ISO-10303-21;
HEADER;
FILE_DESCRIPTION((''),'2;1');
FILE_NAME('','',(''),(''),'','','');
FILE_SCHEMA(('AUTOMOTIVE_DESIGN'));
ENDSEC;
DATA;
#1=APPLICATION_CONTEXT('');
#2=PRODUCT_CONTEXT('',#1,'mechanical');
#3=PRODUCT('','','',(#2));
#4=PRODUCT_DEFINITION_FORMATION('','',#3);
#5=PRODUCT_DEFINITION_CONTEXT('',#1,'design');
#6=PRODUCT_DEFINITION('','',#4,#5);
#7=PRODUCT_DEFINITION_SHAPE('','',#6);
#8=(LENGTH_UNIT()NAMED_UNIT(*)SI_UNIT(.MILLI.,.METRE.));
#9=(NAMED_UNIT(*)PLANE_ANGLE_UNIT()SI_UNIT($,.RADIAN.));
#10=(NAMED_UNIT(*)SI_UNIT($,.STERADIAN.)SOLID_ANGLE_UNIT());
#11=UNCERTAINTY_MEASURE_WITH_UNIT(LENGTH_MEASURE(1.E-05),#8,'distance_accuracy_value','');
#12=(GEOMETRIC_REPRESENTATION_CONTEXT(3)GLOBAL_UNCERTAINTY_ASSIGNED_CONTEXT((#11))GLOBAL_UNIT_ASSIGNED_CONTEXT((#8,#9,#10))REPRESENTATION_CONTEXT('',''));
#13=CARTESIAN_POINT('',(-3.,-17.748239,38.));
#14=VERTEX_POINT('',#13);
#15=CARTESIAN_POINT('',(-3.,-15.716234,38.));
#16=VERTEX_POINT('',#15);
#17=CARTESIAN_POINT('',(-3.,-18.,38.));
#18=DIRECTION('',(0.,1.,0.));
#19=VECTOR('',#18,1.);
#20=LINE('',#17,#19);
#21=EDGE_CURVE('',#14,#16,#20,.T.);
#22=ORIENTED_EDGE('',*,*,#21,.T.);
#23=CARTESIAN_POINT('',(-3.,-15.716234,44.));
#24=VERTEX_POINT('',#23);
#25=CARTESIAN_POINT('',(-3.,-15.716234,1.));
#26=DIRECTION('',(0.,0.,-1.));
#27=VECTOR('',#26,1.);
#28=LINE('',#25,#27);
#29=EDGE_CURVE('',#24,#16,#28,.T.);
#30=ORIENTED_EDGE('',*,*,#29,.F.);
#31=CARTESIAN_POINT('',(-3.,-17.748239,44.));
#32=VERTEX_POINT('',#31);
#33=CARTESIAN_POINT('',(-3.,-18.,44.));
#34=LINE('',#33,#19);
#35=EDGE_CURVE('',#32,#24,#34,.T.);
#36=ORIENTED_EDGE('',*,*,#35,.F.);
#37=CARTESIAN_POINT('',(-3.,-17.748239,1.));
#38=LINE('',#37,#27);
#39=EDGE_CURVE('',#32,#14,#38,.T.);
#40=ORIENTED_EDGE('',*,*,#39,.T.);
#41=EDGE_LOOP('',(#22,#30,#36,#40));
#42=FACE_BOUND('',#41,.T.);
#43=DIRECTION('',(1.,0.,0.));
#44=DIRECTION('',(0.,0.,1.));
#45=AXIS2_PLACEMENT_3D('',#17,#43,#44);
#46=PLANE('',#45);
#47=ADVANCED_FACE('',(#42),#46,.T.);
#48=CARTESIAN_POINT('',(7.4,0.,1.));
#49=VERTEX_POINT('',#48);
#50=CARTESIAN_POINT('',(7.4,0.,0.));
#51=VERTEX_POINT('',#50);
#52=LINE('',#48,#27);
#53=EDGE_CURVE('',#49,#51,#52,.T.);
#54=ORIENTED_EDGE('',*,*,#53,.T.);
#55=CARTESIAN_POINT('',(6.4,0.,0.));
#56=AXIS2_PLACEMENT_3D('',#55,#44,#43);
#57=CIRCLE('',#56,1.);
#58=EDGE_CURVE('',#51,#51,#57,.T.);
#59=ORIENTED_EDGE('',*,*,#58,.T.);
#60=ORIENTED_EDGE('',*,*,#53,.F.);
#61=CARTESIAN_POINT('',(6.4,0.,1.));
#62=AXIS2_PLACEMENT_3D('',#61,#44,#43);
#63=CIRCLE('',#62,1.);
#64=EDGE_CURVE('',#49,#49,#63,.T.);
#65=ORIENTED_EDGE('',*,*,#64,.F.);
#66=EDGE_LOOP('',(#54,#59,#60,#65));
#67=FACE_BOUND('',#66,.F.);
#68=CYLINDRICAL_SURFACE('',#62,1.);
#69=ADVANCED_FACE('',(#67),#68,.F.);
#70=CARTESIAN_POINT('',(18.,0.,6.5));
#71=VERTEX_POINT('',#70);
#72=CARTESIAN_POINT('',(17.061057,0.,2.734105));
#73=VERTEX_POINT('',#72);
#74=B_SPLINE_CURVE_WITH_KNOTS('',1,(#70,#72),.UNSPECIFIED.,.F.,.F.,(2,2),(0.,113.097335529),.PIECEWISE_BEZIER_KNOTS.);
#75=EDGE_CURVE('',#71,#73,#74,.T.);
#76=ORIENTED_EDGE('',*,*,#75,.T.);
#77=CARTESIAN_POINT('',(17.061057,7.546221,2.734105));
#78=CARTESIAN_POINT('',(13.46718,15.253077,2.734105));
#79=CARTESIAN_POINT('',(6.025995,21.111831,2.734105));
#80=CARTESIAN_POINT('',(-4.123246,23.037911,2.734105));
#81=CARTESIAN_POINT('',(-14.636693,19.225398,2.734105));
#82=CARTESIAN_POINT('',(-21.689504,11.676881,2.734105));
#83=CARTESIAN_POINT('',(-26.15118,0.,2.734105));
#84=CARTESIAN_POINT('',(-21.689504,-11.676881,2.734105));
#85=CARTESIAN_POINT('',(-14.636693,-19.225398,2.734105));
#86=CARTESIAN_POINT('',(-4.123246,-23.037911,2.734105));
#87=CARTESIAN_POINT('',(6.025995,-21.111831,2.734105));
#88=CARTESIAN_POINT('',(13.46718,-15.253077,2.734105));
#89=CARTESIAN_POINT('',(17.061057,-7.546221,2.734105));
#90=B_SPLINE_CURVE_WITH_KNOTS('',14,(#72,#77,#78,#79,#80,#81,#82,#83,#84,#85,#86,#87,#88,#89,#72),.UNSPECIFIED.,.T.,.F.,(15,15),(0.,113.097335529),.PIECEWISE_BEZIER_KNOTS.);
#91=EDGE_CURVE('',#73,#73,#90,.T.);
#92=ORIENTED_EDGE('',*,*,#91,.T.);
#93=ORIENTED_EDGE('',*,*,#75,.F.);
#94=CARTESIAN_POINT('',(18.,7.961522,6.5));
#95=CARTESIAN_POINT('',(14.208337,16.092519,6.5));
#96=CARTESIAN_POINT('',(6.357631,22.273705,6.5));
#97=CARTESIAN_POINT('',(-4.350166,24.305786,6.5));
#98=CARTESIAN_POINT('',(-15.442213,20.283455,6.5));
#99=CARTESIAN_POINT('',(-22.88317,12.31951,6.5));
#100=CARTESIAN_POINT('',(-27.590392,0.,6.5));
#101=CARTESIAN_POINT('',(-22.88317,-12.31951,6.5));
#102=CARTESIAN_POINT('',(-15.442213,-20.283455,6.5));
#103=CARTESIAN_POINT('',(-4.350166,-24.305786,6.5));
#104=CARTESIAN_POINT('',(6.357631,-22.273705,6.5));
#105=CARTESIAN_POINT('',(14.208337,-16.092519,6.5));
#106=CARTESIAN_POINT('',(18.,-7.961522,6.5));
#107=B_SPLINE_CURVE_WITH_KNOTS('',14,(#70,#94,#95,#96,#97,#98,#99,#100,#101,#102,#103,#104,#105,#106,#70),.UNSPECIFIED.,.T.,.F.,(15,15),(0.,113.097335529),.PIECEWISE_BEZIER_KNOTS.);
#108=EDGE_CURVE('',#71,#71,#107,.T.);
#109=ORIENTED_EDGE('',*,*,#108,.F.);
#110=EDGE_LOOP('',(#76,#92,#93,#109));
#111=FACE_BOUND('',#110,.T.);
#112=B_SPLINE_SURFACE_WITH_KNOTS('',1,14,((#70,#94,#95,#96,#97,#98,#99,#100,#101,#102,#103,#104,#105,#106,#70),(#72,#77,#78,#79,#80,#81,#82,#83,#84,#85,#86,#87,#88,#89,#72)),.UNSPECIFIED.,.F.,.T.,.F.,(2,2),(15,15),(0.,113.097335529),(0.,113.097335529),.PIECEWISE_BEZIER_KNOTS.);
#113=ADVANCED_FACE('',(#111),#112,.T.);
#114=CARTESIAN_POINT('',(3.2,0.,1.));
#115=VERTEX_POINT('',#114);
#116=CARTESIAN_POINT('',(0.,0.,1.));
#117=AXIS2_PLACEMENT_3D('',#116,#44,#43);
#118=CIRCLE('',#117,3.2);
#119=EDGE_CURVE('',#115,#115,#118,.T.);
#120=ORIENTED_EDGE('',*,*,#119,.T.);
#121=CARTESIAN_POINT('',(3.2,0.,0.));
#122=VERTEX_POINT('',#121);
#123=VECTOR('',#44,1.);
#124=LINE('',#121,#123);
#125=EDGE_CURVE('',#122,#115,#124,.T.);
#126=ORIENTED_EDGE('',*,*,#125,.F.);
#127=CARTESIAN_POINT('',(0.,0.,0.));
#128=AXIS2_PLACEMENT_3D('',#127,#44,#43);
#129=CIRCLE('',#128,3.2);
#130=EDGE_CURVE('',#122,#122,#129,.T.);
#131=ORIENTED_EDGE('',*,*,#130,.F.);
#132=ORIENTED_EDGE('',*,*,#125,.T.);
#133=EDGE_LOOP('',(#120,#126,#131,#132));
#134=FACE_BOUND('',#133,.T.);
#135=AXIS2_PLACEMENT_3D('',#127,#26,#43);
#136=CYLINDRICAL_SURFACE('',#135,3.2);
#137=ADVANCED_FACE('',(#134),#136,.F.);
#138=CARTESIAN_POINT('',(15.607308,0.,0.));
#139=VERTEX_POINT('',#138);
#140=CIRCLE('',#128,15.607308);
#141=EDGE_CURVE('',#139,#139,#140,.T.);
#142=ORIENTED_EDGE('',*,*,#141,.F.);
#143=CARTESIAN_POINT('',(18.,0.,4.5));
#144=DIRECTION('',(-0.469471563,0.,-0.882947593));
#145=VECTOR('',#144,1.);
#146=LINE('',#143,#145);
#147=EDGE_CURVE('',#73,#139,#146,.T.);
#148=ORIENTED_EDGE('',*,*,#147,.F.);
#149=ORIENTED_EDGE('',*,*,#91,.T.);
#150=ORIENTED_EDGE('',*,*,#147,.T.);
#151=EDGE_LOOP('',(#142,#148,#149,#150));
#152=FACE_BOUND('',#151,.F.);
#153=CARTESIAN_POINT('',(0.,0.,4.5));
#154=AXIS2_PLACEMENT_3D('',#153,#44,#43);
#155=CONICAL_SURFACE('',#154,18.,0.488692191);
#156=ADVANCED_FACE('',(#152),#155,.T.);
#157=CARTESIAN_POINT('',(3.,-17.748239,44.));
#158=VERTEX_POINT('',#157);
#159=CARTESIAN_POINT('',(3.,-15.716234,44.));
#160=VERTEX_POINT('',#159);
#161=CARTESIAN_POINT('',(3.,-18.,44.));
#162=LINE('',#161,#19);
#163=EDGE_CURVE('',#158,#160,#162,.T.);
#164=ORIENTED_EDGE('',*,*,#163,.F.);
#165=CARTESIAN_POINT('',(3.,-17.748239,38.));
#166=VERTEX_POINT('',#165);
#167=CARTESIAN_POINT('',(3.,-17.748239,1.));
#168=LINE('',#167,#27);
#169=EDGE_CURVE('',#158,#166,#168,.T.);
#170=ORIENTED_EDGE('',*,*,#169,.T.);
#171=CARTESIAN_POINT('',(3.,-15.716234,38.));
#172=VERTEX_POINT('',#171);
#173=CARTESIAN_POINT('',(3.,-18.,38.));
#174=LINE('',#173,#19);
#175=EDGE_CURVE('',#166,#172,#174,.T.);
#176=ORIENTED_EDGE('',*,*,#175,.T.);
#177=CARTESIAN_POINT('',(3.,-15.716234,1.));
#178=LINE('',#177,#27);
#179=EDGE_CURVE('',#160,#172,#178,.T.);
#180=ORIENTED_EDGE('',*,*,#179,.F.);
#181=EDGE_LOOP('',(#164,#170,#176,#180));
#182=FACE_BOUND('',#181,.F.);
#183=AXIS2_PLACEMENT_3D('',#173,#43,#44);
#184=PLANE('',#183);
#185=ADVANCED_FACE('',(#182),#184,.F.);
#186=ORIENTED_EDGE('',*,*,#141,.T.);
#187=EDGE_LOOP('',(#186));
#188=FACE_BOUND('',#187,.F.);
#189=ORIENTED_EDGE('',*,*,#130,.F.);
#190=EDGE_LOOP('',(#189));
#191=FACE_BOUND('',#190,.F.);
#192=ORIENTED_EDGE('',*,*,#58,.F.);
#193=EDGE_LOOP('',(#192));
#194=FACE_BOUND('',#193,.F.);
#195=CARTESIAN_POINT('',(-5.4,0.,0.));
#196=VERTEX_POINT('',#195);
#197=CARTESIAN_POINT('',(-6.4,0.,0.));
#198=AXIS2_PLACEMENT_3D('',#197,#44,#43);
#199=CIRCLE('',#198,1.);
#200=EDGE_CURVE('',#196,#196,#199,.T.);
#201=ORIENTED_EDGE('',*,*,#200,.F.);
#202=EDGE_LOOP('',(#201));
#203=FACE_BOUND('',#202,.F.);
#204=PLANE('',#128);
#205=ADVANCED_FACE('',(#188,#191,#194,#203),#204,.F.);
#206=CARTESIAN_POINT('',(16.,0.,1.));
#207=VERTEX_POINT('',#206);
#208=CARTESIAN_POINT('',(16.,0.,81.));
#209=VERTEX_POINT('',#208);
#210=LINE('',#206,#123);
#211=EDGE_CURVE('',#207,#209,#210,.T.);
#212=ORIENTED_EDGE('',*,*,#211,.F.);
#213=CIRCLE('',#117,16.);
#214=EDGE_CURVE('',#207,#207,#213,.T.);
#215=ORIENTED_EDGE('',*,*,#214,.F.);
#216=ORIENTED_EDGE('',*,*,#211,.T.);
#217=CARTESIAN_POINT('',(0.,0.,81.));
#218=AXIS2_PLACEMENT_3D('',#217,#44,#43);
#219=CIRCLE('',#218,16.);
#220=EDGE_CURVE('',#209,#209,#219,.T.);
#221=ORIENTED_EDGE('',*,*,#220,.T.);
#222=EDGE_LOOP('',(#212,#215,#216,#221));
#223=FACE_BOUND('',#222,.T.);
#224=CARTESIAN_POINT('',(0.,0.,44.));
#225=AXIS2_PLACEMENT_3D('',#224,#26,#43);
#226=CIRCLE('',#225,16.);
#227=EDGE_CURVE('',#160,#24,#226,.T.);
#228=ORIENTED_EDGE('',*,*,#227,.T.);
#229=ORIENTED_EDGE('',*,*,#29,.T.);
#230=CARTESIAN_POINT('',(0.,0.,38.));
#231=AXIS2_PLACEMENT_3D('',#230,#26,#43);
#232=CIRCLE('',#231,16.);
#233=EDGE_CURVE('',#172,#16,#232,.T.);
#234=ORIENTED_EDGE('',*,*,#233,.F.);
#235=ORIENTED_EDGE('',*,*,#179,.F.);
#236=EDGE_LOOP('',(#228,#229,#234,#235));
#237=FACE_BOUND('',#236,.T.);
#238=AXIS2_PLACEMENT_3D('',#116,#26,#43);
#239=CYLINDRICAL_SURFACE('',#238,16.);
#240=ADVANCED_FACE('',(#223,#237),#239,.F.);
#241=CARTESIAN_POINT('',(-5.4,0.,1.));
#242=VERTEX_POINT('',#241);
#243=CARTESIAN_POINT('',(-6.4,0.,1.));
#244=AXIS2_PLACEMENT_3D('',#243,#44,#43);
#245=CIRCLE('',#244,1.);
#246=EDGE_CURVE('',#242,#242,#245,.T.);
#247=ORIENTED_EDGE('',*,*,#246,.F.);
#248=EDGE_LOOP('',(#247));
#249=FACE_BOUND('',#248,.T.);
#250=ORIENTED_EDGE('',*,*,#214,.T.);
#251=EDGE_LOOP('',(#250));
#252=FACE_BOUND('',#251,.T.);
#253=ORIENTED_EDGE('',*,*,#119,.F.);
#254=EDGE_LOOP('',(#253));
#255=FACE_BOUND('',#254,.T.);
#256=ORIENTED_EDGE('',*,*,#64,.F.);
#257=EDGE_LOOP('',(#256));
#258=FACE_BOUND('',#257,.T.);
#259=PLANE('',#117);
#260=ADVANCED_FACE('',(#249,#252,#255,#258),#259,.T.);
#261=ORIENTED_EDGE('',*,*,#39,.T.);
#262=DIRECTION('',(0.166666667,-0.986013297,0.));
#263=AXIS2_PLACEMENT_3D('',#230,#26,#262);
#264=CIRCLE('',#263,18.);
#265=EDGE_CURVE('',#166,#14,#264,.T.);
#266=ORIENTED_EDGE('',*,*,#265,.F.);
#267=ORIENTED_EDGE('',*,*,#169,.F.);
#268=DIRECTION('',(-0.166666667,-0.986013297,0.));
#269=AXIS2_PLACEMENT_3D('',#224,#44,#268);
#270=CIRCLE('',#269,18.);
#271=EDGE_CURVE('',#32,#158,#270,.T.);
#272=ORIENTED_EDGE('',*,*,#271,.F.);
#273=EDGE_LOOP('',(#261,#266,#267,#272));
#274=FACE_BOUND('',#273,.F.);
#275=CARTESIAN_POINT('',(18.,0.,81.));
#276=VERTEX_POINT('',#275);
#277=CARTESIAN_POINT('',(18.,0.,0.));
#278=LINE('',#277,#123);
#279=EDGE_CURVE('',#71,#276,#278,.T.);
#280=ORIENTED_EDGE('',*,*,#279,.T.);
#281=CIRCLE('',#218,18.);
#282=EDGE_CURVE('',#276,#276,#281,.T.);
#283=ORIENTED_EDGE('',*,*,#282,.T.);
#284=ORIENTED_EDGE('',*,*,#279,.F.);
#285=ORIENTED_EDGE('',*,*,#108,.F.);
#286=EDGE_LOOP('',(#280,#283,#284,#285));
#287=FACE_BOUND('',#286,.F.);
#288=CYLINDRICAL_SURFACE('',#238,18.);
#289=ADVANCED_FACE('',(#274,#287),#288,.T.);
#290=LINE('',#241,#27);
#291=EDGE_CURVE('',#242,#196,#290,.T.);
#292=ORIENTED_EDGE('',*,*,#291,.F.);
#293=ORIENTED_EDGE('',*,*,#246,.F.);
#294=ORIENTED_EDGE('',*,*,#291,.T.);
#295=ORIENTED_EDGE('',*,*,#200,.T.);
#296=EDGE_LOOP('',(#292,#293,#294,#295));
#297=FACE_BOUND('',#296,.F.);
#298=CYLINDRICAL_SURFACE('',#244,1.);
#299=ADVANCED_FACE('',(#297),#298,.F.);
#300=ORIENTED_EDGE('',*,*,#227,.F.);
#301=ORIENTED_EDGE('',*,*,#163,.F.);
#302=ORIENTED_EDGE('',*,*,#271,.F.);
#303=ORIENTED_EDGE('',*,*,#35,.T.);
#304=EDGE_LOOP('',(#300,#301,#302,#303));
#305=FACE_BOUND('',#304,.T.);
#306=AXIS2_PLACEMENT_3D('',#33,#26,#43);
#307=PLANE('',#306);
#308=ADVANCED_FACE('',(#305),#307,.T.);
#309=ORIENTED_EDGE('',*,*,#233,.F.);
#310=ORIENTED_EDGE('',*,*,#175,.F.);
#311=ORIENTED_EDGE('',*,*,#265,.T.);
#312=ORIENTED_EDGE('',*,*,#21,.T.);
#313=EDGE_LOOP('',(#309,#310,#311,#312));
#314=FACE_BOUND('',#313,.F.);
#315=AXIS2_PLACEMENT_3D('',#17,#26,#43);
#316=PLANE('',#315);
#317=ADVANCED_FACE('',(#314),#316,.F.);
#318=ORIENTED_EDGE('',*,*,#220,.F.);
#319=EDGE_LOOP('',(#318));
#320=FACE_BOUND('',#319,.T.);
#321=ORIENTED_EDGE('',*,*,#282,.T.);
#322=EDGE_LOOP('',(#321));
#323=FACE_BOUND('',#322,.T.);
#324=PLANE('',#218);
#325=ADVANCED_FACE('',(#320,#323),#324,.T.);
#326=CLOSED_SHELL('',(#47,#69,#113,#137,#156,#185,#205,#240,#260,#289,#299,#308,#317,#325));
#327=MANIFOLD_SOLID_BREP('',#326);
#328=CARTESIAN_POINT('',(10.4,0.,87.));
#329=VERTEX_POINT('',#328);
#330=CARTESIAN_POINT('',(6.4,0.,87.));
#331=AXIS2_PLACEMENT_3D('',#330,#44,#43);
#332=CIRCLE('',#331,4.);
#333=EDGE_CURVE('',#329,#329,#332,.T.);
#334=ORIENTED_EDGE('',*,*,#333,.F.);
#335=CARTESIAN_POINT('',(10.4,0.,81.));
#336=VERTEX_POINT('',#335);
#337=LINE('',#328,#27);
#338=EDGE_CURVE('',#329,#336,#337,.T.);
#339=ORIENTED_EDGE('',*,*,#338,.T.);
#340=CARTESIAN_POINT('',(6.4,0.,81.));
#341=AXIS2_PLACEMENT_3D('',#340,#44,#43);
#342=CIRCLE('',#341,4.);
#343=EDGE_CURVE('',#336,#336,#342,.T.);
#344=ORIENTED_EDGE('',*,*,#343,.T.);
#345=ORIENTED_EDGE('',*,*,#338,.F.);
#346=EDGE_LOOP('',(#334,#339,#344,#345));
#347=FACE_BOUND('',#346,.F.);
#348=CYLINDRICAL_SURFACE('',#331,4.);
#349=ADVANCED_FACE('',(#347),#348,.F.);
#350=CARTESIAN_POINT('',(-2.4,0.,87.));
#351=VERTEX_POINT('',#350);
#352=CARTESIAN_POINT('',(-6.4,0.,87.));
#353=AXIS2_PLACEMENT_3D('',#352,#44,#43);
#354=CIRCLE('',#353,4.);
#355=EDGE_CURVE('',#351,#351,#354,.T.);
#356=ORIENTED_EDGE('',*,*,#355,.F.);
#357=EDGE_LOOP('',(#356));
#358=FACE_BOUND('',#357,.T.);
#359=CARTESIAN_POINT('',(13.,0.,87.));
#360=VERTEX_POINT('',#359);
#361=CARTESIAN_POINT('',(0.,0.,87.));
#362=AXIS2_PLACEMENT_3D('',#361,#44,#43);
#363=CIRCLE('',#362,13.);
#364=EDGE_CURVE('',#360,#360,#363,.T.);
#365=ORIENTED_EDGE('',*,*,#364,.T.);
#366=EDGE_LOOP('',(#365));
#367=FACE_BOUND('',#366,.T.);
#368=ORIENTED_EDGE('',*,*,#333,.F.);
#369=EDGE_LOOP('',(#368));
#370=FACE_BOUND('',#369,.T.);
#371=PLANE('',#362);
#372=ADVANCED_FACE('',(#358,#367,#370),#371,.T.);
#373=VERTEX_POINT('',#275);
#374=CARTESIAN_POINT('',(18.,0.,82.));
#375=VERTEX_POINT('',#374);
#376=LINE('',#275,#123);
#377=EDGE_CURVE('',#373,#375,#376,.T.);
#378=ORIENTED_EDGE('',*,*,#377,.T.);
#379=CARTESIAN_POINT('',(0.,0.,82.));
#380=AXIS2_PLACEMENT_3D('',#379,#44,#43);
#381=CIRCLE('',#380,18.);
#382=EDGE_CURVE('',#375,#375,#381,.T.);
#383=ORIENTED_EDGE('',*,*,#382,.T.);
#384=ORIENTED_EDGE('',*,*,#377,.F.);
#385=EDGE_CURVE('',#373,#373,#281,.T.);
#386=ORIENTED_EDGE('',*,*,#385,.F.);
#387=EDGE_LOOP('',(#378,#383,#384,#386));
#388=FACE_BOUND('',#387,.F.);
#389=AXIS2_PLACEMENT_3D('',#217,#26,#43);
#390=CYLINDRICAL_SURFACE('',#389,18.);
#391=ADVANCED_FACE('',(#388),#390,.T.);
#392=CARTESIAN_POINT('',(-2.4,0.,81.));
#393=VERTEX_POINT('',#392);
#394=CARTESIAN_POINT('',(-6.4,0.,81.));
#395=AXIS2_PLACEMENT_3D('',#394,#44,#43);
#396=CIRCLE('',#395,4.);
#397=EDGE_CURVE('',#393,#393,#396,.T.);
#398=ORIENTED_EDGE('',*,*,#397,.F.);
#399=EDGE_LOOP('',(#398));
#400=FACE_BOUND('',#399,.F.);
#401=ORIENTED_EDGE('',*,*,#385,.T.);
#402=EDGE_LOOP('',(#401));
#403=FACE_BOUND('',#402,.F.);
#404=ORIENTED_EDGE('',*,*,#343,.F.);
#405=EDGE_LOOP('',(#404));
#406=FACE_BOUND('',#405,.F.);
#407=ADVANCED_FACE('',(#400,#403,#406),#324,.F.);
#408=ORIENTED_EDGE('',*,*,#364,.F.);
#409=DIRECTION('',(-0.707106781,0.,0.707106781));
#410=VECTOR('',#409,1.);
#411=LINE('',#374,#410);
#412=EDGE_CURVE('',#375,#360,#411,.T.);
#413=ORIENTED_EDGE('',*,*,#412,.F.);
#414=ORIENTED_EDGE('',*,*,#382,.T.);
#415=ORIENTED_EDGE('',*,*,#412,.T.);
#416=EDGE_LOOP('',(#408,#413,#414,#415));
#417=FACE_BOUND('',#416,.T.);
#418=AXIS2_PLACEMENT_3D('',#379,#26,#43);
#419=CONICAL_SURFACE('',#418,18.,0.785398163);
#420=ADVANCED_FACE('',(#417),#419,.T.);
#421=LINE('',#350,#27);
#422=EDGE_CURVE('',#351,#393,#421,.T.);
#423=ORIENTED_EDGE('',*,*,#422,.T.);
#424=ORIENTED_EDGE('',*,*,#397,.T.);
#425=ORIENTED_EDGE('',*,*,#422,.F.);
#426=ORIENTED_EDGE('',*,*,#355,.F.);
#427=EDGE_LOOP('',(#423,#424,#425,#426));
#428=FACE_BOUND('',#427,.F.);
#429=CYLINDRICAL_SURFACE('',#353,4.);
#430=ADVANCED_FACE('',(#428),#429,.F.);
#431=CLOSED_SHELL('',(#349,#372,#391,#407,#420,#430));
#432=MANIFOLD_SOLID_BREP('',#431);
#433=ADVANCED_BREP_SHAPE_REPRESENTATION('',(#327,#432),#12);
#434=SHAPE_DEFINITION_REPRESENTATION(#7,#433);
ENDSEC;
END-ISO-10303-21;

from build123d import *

# Parameters (mm, degrees)
F0_R      = 18
F0_R_2    = 3.2
F1_DEPTH  = 1
F3_R      = 1
F4_DEPTH  = 25
F3_R_2    = 18
F3_R_3    = 16
F5_DEPTH  = 80
F6_W      = 6
F6_H      = 5.9999996329
F7_DEPTH  = 25
F8_R      = 18
F8_R_2    = 16
F9_DEPTH  = 6
F10_R     = 4
F11_DEPTH = 25
F12_SIZE  = 5
F13_SIZE2 = 2.3926924425
F13_SIZE  = 4.5
F14_SIZE  = 2


with BuildPart() as f1:
    # F0 (on Top) → F1 (new body)
    with BuildSketch(Plane.XY):
        Circle(F0_R)
        Circle(F0_R_2, mode=Mode.SUBTRACT)
    extrude(amount=F1_DEPTH)

    # F3 (on face) → F4 (cut)
    with BuildSketch(Plane.XY.offset(1)):
        with Locations((-6.4, 0)):
            Circle(F3_R)
        with Locations((6.4, 0)):
            Circle(F3_R)
    extrude(amount=-F4_DEPTH, mode=Mode.SUBTRACT)

    # F3 (on face) → F5 (join)
    with BuildSketch(Plane.XY.offset(1)):
        Circle(F3_R_2)
        Circle(F3_R_3, mode=Mode.SUBTRACT)
    extrude(amount=F5_DEPTH)

    # F6 (on offset) → F7 (cut)
    with BuildSketch(Plane.XZ.offset(18)):
        with Locations((0, 40.9999998165)):
            Rectangle(F6_W, F6_H)
    extrude(amount=-F7_DEPTH, mode=Mode.SUBTRACT)

    # F13
    f13_edges = [f1.edges().sort_by_distance(p)[0] for p in [
        (-18, 0, 0),
    ]]
    f13_side = f1.faces().sort_by_distance((-18, 0, 40.5))[0]
    chamfer(f13_edges, length=F13_SIZE, length2=F13_SIZE2, reference=f13_side)

    # F14
    f14_edges = [f1.edges().sort_by_distance(p)[0] for p in [
        (-18, 0, 4.5),
    ]]
    chamfer(f14_edges, length=F14_SIZE)


with BuildPart() as f9:
    # F8 (on face) → F9 (new body)
    with BuildSketch(Plane.XY.offset(81)):
        Circle(F8_R)
        Circle(F8_R_2, mode=Mode.SUBTRACT)
        Circle(F8_R_2)
    extrude(amount=F9_DEPTH)

    # F10 (on face) → F11 (cut)
    with BuildSketch(Plane.XY.offset(87)):
        with Locations((-6.4, 0)):
            Circle(F10_R)
        with Locations((6.4, 0)):
            Circle(F10_R)
    extrude(amount=-F11_DEPTH, mode=Mode.SUBTRACT)

    # F12
    f12_edges = [f9.edges().sort_by_distance(p)[0] for p in [
        (-18, 0, 87),
    ]]
    chamfer(f12_edges, length=F12_SIZE)


solid = Compound([f1.part, f9.part])
